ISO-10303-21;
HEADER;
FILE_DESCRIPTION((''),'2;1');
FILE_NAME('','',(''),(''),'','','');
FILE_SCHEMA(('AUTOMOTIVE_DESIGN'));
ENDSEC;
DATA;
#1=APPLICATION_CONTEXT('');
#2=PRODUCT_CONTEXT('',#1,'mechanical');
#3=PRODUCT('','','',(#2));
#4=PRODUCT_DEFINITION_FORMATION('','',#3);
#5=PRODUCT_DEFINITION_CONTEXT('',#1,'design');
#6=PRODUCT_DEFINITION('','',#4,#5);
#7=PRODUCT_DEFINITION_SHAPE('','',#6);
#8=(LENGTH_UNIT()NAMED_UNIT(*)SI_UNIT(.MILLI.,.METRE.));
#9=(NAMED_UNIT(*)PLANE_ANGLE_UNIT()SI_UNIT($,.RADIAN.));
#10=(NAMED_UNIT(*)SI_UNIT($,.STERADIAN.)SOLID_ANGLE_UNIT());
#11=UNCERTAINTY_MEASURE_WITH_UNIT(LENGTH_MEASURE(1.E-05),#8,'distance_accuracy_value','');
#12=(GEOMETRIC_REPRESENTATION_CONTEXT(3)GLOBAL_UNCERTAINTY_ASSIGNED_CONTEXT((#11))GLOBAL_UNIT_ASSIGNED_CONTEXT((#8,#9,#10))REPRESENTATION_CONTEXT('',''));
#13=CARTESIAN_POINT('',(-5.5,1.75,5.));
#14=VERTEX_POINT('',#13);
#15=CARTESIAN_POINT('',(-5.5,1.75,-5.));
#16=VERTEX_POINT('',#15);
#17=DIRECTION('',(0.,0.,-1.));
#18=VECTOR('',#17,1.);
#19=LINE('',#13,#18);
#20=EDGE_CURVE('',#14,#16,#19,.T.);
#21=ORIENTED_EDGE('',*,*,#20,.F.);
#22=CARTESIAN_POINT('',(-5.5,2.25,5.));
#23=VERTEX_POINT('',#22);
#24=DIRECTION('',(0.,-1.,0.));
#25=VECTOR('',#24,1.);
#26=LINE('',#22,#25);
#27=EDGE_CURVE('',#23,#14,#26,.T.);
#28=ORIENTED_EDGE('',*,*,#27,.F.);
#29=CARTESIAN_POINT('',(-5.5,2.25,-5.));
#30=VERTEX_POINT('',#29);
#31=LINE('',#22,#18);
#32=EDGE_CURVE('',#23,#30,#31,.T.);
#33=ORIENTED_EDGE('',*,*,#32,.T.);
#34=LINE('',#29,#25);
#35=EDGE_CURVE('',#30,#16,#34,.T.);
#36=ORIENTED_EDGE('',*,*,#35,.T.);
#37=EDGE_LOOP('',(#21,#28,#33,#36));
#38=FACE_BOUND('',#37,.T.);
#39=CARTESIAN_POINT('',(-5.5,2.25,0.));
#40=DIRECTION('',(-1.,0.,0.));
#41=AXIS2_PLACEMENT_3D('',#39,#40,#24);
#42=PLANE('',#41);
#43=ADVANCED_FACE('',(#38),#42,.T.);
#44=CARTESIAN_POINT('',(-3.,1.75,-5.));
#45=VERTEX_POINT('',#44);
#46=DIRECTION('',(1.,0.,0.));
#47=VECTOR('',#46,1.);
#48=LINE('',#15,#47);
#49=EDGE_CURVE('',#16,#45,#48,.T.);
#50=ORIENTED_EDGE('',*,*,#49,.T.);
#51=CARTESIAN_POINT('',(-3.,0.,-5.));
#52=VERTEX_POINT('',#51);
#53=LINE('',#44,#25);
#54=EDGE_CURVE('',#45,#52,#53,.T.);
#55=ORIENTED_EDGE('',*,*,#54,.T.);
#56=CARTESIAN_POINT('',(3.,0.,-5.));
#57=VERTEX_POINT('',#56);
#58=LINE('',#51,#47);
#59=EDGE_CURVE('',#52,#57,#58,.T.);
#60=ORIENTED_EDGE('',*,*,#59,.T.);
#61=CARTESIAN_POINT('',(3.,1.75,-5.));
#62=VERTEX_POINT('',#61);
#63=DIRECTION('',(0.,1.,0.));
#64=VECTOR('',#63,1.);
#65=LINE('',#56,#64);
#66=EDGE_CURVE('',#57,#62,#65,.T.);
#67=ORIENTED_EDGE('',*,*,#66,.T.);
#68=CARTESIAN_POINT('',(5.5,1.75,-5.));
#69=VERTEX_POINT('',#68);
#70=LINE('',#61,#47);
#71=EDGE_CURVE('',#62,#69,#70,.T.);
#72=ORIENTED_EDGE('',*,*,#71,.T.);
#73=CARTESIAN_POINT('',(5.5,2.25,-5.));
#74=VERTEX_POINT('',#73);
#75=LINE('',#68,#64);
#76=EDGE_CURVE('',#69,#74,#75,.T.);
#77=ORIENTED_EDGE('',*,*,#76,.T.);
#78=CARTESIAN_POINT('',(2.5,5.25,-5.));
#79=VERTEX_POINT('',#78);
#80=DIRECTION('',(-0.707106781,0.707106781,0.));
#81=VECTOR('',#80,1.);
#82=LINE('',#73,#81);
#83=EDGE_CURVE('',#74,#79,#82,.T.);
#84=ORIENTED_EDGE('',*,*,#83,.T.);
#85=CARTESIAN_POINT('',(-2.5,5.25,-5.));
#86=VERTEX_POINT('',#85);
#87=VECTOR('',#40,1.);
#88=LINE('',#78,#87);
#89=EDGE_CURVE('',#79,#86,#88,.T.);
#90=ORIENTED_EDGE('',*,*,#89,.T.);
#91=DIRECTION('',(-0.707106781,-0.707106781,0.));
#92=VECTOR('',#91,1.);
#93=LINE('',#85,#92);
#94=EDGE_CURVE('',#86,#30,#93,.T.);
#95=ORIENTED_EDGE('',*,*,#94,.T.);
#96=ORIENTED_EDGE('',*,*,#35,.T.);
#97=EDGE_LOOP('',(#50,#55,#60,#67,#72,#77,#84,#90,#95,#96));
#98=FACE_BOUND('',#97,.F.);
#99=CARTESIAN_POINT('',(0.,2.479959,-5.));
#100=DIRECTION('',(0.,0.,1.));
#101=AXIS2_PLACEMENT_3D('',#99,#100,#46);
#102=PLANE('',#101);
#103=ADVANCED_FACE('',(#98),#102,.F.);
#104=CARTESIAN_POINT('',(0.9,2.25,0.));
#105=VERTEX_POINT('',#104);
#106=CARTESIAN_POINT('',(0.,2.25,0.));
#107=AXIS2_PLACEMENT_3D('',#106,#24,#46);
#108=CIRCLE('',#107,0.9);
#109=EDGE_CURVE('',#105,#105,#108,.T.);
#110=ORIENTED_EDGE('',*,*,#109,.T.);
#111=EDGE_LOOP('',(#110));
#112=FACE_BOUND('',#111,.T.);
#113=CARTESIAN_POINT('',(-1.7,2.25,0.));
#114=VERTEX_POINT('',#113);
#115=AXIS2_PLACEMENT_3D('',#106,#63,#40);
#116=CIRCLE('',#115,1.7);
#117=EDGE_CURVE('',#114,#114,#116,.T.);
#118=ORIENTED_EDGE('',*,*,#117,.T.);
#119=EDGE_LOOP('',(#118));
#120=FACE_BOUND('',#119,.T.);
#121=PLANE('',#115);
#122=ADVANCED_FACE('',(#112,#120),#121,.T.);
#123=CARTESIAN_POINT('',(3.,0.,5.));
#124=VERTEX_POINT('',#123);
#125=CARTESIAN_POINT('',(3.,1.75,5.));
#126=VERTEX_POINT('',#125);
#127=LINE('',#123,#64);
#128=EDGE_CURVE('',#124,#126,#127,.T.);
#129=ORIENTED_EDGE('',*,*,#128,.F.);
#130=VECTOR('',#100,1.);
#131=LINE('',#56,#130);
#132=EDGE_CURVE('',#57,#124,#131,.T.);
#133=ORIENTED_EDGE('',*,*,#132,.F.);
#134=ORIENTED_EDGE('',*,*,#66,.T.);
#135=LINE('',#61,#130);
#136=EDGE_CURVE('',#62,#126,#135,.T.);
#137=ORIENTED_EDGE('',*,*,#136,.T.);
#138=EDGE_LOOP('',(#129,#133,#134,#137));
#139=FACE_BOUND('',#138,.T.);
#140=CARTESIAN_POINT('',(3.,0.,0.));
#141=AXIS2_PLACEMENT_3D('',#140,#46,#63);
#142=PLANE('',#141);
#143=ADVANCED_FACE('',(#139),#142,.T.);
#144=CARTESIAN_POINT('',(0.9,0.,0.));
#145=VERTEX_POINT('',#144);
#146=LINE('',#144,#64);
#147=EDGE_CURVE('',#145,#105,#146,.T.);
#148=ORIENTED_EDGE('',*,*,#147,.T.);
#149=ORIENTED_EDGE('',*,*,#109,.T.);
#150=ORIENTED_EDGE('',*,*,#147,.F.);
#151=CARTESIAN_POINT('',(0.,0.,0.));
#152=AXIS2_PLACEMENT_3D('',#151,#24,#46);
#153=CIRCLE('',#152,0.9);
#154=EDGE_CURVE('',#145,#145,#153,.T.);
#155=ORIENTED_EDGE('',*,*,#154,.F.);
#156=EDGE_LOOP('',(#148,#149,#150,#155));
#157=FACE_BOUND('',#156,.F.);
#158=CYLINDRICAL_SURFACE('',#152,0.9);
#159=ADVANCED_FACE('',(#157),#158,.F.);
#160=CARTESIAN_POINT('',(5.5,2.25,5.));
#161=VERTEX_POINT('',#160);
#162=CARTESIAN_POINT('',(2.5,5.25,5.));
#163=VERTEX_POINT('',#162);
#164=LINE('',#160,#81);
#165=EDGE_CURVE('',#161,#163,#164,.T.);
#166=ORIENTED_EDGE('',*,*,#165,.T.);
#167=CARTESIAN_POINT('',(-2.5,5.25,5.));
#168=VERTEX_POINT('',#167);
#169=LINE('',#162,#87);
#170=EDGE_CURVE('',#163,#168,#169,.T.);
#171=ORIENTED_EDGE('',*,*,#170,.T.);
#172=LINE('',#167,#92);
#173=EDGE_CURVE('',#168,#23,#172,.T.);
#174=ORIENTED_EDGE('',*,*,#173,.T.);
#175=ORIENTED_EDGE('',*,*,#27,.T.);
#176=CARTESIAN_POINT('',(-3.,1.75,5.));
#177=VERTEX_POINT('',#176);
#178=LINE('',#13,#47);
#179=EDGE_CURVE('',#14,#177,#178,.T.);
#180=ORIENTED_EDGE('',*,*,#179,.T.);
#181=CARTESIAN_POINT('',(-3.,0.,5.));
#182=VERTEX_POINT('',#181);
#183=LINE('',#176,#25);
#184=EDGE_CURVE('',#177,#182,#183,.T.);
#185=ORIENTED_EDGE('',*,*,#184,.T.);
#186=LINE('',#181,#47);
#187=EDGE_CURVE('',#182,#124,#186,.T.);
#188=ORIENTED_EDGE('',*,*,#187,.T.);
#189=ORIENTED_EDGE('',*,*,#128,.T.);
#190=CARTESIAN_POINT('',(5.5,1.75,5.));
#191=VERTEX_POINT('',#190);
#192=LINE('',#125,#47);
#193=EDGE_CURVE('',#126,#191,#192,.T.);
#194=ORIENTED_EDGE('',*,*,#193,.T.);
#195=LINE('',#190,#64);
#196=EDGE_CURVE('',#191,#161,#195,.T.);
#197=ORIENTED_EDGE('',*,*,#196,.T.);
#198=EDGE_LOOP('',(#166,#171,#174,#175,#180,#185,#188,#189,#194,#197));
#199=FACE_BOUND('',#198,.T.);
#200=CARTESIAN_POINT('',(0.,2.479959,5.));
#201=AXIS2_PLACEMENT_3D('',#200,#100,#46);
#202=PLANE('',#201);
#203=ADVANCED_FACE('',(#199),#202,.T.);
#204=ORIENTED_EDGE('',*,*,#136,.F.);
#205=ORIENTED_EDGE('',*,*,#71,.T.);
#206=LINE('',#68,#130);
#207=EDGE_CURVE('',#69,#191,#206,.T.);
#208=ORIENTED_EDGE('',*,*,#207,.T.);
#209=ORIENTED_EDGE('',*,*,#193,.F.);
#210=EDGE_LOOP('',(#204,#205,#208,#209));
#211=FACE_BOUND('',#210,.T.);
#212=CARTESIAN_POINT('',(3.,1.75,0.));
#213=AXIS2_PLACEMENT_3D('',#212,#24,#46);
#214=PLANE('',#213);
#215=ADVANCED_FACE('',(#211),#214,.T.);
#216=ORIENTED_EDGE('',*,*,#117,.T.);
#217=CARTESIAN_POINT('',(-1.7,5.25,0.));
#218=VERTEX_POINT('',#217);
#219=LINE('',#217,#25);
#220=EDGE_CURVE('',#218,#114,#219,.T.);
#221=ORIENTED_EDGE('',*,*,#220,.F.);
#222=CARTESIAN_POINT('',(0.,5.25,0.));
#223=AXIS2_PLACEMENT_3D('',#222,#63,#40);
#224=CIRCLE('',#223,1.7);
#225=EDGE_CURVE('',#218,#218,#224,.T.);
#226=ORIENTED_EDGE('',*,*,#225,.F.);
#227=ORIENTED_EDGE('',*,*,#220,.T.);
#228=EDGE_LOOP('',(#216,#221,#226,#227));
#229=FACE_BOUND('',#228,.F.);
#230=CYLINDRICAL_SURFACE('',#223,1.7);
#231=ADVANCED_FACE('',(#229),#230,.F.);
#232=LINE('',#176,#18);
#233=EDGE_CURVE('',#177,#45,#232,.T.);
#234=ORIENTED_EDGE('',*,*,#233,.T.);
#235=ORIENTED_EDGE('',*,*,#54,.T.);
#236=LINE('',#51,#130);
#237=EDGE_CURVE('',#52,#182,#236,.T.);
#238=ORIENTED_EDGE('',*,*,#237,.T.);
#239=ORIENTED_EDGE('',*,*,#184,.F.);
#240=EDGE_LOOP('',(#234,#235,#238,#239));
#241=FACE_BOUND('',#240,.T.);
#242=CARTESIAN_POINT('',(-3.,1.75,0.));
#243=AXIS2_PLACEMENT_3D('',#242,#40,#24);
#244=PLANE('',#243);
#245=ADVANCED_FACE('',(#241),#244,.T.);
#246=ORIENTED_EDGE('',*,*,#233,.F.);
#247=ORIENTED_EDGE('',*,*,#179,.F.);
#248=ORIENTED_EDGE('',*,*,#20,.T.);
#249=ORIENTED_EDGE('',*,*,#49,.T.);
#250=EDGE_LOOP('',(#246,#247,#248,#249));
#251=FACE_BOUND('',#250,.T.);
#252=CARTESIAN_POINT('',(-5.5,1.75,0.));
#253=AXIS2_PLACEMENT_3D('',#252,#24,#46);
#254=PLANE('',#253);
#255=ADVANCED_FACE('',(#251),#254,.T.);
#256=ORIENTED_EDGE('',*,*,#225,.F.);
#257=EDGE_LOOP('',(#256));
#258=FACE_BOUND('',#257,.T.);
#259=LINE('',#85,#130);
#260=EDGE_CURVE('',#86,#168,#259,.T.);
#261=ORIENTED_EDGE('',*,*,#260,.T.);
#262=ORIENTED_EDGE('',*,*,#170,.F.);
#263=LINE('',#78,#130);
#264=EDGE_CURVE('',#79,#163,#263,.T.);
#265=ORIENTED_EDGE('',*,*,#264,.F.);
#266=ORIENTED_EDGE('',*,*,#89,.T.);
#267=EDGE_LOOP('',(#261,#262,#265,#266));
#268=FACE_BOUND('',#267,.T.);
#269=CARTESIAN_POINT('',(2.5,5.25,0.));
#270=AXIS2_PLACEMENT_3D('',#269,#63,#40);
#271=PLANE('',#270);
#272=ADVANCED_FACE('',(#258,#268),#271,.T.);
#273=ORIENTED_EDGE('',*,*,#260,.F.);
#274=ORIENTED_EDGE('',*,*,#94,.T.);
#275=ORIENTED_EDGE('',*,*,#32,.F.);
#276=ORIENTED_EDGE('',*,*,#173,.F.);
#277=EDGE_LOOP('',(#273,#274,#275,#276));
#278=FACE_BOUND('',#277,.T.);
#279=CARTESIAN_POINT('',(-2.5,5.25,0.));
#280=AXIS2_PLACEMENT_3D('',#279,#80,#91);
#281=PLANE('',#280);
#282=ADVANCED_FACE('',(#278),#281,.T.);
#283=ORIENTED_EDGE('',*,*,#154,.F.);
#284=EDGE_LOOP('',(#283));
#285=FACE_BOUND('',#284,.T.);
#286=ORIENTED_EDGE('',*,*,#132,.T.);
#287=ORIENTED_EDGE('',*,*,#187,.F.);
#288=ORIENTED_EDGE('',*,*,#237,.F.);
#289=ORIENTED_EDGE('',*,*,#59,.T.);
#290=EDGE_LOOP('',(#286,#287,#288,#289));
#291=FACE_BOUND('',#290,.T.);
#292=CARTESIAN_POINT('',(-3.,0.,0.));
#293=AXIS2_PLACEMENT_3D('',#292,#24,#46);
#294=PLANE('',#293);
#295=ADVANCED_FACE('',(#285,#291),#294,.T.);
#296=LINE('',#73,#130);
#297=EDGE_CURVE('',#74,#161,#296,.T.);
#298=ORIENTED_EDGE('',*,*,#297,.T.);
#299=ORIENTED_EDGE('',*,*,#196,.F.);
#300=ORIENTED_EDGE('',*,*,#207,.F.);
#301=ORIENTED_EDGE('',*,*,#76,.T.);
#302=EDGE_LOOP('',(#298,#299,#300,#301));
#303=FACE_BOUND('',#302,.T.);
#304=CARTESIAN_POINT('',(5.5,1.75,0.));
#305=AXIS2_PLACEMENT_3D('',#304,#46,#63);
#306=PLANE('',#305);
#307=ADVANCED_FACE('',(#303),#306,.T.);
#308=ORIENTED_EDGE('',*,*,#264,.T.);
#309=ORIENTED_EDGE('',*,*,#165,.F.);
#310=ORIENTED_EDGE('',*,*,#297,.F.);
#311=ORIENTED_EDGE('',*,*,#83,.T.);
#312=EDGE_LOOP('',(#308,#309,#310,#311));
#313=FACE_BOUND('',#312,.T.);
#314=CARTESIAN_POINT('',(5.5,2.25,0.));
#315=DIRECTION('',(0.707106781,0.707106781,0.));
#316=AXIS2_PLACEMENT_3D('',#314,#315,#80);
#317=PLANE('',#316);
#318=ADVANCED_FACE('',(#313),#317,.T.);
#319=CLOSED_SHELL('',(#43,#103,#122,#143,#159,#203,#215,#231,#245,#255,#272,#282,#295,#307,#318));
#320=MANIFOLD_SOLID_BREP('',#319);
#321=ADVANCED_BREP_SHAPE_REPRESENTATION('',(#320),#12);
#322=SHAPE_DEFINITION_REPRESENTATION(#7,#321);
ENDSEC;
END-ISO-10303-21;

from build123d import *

# Parameters (mm, degrees)
F1_DEPTH = 5
F2_R     = 0.9
F3_DEPTH = 5.25
F4_R     = 1.7
F5_DEPTH = 3


with BuildPart() as f1:
    # F0 (on Top) → F1 (new body, symmetric)
    with BuildSketch(Plane.XY):
        Polygon((-3, 1.75), (-3, 0), (3, 0), (3, 1.75), (5.5, 1.75), (5.5, 2.25), (2.5, 5.25), (-2.5, 5.25), (-5.5, 2.25), (-5.5, 1.75), align=None)
    extrude(amount=F1_DEPTH, both=True)

    # F2 (on face) → F3 (cut, through all)
    with BuildSketch(Plane.XZ):
        Circle(F2_R)
    extrude(amount=-F3_DEPTH, mode=Mode.SUBTRACT)

    # F4 (on face) → F5 (cut)
    with BuildSketch(Plane(origin=(0, 5.25, 0), x_dir=(-1, 0, 0), z_dir=(0, 1, 0))):
        Circle(F4_R)
    extrude(amount=-F5_DEPTH, mode=Mode.SUBTRACT)


solid = f1.part
